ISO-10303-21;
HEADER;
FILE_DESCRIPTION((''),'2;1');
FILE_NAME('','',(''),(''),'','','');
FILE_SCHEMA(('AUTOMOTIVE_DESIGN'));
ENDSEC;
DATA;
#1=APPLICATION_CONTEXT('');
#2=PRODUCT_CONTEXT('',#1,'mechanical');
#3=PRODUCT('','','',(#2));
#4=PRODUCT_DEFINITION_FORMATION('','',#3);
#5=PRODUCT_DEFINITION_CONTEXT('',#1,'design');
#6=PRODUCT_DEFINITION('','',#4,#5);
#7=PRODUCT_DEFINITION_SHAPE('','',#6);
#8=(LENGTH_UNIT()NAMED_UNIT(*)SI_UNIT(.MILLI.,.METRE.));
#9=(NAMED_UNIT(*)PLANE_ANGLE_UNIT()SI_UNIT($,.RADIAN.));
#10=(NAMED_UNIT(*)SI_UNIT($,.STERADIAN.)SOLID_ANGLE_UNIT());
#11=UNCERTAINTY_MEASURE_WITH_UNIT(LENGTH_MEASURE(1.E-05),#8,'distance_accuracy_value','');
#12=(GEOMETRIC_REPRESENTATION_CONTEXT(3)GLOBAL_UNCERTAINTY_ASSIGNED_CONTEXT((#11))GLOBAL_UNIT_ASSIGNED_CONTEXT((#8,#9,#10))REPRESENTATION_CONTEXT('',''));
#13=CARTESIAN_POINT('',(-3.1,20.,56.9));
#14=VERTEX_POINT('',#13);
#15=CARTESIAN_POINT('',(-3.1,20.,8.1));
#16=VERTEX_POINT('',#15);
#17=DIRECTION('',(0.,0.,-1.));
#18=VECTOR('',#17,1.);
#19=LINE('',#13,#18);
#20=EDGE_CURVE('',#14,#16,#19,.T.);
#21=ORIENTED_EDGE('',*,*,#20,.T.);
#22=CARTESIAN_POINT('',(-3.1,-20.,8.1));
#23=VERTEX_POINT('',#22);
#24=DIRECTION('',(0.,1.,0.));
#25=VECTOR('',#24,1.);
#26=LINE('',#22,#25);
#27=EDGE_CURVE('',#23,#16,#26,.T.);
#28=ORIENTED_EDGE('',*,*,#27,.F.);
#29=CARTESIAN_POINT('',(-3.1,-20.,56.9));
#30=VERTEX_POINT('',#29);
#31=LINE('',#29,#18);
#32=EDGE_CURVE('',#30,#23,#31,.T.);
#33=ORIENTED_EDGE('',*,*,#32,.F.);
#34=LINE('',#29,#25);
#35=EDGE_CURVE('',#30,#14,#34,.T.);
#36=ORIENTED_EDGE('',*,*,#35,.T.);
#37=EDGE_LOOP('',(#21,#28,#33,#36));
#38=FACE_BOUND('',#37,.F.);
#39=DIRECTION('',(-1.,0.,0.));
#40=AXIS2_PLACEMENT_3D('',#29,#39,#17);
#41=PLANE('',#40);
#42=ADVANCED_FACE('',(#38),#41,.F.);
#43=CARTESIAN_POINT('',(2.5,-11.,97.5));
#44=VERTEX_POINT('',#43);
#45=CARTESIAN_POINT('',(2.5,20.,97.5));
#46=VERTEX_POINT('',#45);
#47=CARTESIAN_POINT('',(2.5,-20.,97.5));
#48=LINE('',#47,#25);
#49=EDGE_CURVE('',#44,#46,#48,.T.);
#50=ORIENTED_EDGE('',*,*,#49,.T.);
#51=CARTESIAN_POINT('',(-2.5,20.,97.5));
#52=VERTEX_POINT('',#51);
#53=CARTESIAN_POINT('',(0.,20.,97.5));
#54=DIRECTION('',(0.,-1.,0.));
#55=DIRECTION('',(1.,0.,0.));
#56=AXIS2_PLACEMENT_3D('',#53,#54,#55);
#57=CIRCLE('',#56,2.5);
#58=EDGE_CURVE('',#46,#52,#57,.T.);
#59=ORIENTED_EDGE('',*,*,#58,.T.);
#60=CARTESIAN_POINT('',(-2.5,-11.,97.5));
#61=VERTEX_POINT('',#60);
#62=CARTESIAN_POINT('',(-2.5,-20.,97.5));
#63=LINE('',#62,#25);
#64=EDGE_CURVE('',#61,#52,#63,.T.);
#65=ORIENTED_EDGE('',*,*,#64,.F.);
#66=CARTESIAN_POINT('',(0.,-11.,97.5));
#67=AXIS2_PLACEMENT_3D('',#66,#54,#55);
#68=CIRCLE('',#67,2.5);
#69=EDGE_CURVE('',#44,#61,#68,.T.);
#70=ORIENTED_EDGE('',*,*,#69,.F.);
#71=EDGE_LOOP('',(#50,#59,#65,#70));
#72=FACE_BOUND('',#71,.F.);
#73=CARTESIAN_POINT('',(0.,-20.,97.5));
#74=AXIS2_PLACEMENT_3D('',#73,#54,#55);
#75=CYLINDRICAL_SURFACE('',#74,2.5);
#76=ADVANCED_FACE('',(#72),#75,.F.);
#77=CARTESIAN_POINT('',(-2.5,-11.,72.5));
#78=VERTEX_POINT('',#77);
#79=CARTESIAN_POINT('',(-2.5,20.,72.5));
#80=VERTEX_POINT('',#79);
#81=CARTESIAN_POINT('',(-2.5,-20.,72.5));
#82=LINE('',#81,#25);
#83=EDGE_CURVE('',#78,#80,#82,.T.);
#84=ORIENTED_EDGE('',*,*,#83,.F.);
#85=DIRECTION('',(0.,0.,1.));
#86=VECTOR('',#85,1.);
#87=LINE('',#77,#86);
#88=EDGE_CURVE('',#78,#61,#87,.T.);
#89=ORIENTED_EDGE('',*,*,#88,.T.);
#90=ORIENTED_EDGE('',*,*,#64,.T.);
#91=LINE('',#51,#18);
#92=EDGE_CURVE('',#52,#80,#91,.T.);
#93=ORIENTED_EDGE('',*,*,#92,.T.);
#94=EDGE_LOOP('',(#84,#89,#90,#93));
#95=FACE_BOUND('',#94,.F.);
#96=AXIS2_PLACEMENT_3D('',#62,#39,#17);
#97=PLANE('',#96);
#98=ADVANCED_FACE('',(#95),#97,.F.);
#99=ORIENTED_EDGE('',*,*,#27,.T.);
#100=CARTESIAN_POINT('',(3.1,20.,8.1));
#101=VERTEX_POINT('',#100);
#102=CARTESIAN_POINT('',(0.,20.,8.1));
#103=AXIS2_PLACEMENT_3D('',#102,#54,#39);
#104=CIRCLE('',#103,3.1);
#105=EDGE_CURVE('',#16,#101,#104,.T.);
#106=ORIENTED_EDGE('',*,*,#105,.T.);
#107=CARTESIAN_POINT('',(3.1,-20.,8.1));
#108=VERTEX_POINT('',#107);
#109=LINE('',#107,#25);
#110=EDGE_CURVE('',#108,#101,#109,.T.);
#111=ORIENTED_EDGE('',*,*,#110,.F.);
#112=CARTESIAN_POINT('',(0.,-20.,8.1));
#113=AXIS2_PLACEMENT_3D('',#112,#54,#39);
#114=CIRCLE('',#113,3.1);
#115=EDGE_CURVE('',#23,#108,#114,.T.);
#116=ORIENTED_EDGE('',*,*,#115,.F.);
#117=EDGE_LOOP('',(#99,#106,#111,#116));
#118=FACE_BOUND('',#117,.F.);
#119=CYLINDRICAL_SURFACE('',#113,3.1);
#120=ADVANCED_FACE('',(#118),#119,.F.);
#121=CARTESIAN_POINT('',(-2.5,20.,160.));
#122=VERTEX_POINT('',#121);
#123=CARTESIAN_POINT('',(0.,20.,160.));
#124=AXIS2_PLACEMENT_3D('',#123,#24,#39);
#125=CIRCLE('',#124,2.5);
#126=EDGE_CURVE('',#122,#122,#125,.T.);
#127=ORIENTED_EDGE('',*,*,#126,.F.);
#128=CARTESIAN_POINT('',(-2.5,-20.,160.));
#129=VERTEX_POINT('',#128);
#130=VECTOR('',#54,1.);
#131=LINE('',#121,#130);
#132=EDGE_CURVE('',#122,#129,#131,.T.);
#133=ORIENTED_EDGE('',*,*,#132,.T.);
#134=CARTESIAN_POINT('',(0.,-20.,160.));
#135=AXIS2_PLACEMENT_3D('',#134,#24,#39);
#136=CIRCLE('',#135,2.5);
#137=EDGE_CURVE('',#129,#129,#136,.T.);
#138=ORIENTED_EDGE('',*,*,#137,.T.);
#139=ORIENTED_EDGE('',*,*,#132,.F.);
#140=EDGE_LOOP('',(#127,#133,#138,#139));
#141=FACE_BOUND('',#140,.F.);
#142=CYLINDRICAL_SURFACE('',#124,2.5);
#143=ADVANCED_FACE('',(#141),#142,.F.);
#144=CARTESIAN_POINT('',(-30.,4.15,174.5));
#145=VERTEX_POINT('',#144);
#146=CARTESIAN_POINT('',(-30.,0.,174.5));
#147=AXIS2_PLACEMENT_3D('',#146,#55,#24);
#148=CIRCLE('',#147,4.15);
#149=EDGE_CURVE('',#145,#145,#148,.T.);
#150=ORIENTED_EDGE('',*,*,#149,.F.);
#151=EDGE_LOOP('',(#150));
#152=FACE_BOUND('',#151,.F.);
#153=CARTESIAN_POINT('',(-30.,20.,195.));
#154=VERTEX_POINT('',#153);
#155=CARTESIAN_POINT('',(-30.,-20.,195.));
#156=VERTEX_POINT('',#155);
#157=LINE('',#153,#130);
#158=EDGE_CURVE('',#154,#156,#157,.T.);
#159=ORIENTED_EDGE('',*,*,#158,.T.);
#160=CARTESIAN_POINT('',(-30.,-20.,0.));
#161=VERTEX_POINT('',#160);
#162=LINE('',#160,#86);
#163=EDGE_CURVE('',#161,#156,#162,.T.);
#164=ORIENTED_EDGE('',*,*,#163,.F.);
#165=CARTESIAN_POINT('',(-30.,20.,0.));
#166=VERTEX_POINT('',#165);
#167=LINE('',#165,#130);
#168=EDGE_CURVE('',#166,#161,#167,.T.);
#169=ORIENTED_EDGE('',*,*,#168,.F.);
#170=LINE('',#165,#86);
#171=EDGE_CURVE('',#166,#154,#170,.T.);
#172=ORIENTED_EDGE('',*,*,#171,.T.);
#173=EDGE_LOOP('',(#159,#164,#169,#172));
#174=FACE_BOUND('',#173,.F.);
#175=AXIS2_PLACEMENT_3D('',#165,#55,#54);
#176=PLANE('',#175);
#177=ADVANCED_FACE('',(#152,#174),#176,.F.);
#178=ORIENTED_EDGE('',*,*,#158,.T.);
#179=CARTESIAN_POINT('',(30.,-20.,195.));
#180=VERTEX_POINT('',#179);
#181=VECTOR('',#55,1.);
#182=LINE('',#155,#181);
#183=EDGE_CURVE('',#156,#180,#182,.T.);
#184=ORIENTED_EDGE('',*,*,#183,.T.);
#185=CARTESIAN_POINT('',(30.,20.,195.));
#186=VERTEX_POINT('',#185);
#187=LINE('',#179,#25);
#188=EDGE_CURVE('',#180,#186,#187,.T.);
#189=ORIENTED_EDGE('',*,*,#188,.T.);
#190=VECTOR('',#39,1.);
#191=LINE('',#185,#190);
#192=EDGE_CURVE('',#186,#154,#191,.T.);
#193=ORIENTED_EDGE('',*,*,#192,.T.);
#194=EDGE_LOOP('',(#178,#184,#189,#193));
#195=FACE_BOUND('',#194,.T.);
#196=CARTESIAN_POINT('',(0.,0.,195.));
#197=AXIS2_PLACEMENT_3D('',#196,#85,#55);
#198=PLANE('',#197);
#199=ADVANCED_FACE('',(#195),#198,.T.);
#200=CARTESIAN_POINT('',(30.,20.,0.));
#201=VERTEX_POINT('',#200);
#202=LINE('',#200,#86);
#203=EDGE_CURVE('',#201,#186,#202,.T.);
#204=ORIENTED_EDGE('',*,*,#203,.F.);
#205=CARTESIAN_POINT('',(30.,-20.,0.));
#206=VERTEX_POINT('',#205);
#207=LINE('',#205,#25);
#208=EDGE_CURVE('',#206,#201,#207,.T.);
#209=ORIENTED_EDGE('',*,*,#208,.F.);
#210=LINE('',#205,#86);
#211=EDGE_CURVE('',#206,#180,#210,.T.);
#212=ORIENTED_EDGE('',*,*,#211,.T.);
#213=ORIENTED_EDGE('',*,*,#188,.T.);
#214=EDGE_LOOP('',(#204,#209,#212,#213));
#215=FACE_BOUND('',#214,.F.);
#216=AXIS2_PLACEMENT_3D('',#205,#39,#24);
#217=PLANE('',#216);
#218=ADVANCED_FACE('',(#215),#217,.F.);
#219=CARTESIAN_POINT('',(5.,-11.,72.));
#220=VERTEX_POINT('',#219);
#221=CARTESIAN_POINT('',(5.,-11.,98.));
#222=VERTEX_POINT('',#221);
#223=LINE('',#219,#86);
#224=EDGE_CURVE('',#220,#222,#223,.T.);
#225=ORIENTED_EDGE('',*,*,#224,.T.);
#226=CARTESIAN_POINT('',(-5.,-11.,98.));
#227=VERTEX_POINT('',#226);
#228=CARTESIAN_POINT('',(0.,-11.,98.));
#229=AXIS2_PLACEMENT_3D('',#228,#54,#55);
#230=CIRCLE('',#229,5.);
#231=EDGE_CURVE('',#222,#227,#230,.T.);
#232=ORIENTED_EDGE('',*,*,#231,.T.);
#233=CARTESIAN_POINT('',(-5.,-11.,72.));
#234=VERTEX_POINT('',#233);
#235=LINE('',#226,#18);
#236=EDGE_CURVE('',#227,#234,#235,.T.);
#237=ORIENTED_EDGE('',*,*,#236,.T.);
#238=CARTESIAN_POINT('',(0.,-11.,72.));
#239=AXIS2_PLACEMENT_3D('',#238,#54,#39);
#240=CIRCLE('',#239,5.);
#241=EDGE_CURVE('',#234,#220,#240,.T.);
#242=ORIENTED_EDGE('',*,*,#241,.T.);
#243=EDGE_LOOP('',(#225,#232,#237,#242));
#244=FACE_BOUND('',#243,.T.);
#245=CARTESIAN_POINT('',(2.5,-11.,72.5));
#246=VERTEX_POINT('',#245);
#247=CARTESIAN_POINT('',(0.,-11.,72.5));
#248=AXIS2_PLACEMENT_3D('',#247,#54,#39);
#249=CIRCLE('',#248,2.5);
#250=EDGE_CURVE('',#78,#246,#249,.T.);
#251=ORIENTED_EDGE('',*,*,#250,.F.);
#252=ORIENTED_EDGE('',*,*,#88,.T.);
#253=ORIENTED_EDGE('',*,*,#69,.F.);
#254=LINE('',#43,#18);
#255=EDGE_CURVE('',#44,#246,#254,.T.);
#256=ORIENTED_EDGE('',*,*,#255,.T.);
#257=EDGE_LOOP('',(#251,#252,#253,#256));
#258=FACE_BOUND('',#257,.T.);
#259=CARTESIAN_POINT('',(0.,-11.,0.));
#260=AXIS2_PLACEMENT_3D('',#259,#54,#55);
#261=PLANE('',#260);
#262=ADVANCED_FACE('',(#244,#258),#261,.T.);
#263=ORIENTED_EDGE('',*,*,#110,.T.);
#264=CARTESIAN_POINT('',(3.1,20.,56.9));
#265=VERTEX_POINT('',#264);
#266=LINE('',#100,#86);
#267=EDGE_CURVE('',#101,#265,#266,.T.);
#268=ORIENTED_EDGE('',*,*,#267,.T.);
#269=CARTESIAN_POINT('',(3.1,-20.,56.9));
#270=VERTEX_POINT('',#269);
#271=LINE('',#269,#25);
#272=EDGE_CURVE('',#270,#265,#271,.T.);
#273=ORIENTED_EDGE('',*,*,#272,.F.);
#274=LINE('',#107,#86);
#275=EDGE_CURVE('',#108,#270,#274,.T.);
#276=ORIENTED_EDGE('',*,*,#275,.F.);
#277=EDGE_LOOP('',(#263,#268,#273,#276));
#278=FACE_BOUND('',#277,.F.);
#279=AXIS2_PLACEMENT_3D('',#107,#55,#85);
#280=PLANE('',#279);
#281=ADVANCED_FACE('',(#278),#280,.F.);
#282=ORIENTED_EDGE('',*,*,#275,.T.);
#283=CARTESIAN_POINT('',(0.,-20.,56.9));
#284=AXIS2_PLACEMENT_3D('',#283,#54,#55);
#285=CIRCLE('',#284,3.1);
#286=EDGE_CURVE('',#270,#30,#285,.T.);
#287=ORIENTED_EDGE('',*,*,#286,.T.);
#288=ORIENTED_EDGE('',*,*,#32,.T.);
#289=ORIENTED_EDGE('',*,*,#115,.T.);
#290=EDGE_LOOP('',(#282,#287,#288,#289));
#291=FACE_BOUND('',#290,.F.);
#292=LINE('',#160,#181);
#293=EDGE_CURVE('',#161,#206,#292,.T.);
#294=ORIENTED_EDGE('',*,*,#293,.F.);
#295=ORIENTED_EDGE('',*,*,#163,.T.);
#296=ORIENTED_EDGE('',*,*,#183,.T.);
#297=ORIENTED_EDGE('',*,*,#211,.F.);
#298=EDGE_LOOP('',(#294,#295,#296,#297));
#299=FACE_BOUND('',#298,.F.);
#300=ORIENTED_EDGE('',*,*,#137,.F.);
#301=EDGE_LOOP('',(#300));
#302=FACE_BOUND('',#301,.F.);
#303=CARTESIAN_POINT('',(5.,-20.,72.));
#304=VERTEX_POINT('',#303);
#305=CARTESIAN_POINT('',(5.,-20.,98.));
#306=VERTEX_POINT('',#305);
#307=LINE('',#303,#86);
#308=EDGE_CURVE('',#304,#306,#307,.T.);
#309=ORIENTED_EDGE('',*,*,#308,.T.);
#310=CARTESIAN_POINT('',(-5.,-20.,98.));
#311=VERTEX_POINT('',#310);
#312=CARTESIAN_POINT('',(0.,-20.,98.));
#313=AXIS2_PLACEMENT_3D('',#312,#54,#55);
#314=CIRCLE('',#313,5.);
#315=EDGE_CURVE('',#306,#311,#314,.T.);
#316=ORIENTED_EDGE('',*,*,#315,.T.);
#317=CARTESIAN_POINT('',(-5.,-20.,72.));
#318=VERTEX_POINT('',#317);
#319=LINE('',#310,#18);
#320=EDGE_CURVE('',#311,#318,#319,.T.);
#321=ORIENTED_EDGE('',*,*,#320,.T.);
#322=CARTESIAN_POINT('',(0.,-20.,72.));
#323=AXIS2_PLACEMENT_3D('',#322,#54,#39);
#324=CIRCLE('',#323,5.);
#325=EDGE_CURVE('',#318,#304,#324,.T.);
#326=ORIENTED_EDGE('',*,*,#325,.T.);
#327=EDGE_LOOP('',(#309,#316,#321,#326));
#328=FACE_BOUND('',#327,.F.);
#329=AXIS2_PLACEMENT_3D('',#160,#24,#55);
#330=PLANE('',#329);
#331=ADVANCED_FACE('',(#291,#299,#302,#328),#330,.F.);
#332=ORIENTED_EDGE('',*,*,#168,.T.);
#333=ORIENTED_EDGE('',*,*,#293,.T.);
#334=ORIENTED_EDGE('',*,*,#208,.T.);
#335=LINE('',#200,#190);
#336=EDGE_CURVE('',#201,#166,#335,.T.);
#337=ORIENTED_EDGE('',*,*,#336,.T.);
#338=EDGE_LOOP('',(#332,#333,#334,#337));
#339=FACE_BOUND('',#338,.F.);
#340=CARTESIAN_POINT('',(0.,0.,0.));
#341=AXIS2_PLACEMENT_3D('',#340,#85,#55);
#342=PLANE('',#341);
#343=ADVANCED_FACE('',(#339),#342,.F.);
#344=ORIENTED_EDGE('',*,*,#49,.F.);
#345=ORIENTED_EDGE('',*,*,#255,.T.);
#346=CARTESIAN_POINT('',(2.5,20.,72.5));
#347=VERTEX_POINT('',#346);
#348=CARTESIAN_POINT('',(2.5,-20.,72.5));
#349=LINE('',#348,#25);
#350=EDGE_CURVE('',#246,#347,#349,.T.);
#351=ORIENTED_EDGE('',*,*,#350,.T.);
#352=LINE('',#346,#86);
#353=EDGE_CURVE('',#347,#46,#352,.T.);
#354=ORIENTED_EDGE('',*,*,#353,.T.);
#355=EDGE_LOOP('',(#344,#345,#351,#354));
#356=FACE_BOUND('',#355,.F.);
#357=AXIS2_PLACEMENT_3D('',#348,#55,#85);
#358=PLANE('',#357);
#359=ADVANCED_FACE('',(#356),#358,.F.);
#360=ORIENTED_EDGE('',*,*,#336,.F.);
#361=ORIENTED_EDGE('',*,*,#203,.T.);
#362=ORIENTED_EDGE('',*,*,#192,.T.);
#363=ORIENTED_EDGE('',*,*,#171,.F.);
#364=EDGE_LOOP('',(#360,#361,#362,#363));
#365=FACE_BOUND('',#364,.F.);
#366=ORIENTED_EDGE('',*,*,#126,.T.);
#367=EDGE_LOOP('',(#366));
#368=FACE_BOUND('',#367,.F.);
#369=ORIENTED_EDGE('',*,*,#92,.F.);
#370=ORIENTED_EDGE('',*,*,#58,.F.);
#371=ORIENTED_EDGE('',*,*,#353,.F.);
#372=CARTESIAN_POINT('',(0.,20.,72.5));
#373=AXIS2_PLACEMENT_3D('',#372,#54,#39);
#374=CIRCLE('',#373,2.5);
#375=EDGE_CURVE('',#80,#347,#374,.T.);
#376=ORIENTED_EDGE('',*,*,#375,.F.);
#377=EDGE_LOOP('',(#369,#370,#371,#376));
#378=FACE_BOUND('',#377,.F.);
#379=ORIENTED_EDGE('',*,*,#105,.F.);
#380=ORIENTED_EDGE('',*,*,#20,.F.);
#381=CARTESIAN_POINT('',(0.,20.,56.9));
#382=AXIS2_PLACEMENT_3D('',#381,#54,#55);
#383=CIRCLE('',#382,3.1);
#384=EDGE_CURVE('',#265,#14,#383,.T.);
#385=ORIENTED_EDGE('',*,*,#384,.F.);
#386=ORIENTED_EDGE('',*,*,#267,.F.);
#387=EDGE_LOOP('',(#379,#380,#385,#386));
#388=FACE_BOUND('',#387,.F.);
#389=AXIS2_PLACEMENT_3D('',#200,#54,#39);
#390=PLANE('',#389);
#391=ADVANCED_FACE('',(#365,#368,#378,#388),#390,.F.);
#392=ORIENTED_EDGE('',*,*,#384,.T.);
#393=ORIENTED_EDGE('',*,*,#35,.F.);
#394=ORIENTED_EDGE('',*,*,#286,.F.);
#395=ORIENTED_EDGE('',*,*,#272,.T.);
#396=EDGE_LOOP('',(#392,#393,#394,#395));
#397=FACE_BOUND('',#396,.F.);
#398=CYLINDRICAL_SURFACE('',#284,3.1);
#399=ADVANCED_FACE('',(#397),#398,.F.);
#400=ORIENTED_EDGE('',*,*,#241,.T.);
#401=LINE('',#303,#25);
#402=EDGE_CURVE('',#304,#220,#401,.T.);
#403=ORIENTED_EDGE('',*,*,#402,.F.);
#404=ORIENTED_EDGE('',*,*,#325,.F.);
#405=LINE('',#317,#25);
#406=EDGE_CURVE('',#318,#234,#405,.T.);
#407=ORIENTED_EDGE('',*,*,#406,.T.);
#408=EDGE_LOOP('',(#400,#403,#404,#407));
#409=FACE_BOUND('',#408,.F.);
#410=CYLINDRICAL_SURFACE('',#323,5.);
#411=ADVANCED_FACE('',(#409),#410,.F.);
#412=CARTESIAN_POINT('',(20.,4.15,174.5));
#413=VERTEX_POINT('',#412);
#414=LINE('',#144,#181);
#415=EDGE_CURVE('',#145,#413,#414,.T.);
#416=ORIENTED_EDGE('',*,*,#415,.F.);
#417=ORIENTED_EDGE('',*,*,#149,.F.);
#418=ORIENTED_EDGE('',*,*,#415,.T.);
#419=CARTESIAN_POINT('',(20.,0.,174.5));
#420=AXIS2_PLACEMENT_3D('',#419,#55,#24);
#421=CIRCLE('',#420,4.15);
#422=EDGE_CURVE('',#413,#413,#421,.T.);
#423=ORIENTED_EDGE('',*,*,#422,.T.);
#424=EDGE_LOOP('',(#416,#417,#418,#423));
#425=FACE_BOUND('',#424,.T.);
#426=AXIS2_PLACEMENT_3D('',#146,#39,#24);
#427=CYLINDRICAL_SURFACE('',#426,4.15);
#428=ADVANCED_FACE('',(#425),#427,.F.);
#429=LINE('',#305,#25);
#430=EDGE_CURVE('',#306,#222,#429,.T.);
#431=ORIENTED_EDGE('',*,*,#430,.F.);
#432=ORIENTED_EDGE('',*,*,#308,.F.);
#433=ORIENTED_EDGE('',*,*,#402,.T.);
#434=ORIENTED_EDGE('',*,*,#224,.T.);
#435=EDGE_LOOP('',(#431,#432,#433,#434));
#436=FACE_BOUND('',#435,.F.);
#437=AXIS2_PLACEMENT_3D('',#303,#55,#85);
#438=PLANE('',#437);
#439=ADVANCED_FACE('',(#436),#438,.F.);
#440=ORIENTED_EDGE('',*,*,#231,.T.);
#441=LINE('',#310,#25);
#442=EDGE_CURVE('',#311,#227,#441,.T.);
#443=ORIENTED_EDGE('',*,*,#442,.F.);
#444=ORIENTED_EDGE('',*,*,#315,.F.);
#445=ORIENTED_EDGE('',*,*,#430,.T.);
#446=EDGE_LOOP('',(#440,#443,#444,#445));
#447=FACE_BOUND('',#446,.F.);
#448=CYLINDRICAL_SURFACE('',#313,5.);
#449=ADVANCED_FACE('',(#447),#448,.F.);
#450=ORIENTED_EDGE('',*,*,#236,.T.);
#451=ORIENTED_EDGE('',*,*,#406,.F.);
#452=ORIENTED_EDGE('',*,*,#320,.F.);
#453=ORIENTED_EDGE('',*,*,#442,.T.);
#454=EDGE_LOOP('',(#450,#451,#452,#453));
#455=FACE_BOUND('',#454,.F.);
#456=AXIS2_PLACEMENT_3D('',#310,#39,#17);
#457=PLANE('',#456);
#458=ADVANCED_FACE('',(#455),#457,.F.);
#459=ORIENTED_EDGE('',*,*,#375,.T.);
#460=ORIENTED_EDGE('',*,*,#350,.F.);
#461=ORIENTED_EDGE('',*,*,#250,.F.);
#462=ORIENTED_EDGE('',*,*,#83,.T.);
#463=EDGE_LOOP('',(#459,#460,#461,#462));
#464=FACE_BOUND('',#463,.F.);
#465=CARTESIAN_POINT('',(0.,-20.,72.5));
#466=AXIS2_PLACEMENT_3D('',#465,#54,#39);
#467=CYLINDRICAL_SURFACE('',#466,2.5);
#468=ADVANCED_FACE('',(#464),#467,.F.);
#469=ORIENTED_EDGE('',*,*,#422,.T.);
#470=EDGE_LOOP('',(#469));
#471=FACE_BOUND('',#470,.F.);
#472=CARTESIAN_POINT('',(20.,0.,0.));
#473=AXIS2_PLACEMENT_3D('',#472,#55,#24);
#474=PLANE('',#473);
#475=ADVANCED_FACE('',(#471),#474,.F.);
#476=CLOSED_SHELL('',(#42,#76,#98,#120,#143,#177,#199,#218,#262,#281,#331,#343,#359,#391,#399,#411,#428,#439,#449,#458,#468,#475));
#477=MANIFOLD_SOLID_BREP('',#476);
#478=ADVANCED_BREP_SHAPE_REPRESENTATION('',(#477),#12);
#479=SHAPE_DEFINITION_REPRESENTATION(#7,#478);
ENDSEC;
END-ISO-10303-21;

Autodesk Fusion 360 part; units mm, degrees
sketch "Skizze1" plane through (0, 0, 0) normal (0, 0, 1) x (1, 0, 0)
  line L0 (30, 20) -> (-30, 20)
  line L1 (-30, 20) -> (-30, -20)
  line L2 (-30, -20) -> (30, -20)
  line L3 (30, -20) -> (30, 20)
  line L4 (30, 20) -> (-30, -20) construction
  line L5 (-30, 20) -> (30, -20) construction
  dimension "d2" = 60
  dimension "d3" = 40
extrude "Extrusion1" add sketch "Skizze1" along normal blind 195 makes body 1
sketch "Skizze3" plane through (0, -20, 0) normal (0, -1, 0) x (1, 0, 0)
  line L0 (-30, 0) -> (30, 0)
  line L1 (30, 0) -> (30, 195)
  line L2 (30, 195) -> (-30, 195)
  line L3 (-30, 195) -> (-30, 0)
  line L4 (3.1, 8.1) -> (3.1, 56.9)
  arc A0 (3.1, 56.9) -> (-3.1, 56.9) centre (0, 56.9) ccw
  line L5 (-3.1, 56.9) -> (-3.1, 8.1)
  arc A1 (-3.1, 8.1) -> (3.1, 8.1) centre (0, 8.1) ccw
  line L6 (0, 5) -> (0, 60) construction
  line L7 (2.5, 72.5) -> (2.5, 97.5)
  arc A2 (2.5, 97.5) -> (-2.5, 97.5) centre (0, 97.5) ccw
  line L8 (-2.5, 97.5) -> (-2.5, 72.5)
  arc A3 (-2.5, 72.5) -> (2.5, 72.5) centre (0, 72.5) ccw
  line L9 (0, 70) -> (0, 100) construction
  point P0 (0, 195)
  dimension "d20" = 6.2
  dimension "d21" = 5
extrude "Extrusion2" cut sketch "Skizze3" against normal blind 40 contours L4 A0 L5 A1 | L7 A2 L8 A3 bodies 1
sketch "Skizze4" plane through (30, 0, 0) normal (1, 0, 0) x (0, 1, 0)
  line L0 (-20, 0) -> (20, 0)
  line L1 (20, 0) -> (20, 195)
  line L2 (20, 195) -> (-20, 195)
  line L3 (-20, 195) -> (-20, 0)
  circle A0 centre (0, 174.5) radius 4.15
  dimension "d12" = 8.3
extrude "Extrusion3" add sketch "Skizze4" against normal blind 60 separate body contours A0 makes body 2
sketch "Skizze6" plane through (0, 0, 0) normal (0, 1, 0) x (1, 0, 0)
sketch "Skizze7" plane through (0, 20, 0) normal (0, 1, 0) x (-1, 0, 0)
  line L0 (-30, 0) -> (30, 0)
  line L1 (30, 0) -> (30, 195)
  line L2 (30, 195) -> (-30, 195)
  line L3 (-30, 195) -> (-30, 0)
  circle A0 centre (0, 160) radius 2.5
  line L4 (-2.5, 72.5) -> (-2.5, 97.5)
  arc A1 (2.5, 97.5) -> (-2.5, 97.5) centre (0, 97.5) ccw
  line L5 (2.5, 97.5) -> (2.5, 72.5)
  arc A2 (-2.5, 72.5) -> (2.5, 72.5) centre (0, 72.5) ccw
  line L6 (-3.1, 8.1) -> (-3.1, 56.9)
  arc A3 (3.1, 56.9) -> (-3.1, 56.9) centre (0, 56.9) ccw
  line L7 (3.1, 56.9) -> (3.1, 8.1)
  arc A4 (-3.1, 8.1) -> (3.1, 8.1) centre (0, 8.1) ccw
  dimension "d17" = 5
extrude "Extrusion4" cut sketch "Skizze7" against normal blind 40 contours A0 bodies 1
sketch "Skizze8" plane through (0, -20, 0) normal (0, -1, 0) x (1, 0, 0)
  circle A0 centre (0, 160) radius 2.5
  line L0 (2.5, 97.5) -> (2.5, 72.5)
  arc A1 (-2.5, 72.5) -> (2.5, 72.5) centre (0, 72.5) ccw
  line L1 (-2.5, 72.5) -> (-2.5, 97.5)
  arc A2 (2.5, 97.5) -> (-2.5, 97.5) centre (0, 97.5) ccw
  line L2 (3.1, 56.9) -> (3.1, 8.1)
  arc A3 (-3.1, 8.1) -> (3.1, 8.1) centre (0, 8.1) ccw
  line L3 (-3.1, 8.1) -> (-3.1, 56.9)
  arc A4 (3.1, 56.9) -> (-3.1, 56.9) centre (0, 56.9) ccw
  line L4 (-30, 0) -> (30, 0)
  line L5 (30, 0) -> (30, 195)
  line L6 (30, 195) -> (-30, 195)
  line L7 (-30, 195) -> (-30, 0)
  line L8 (5, 72) -> (5, 98)
  arc A5 (5, 98) -> (-5, 98) centre (0, 98) ccw
  line L9 (-5, 98) -> (-5, 72)
  arc A6 (-5, 72) -> (5, 72) centre (0, 72) ccw
  line L10 (0, 72) -> (0, 98) construction
extrude "Extrusion5" cut sketch "Skizze8" against normal blind 9 contours L8 A5 L9 A6 bodies 1
extrude "Extrusion7" cut 1 faces at (-30, -1.0141, 173.1467) along direction (1, 0, 0) blind 50 on bodies 2 bodies 1 2
combine "Kombinieren2" operation add target body 1 tool bodies 2
